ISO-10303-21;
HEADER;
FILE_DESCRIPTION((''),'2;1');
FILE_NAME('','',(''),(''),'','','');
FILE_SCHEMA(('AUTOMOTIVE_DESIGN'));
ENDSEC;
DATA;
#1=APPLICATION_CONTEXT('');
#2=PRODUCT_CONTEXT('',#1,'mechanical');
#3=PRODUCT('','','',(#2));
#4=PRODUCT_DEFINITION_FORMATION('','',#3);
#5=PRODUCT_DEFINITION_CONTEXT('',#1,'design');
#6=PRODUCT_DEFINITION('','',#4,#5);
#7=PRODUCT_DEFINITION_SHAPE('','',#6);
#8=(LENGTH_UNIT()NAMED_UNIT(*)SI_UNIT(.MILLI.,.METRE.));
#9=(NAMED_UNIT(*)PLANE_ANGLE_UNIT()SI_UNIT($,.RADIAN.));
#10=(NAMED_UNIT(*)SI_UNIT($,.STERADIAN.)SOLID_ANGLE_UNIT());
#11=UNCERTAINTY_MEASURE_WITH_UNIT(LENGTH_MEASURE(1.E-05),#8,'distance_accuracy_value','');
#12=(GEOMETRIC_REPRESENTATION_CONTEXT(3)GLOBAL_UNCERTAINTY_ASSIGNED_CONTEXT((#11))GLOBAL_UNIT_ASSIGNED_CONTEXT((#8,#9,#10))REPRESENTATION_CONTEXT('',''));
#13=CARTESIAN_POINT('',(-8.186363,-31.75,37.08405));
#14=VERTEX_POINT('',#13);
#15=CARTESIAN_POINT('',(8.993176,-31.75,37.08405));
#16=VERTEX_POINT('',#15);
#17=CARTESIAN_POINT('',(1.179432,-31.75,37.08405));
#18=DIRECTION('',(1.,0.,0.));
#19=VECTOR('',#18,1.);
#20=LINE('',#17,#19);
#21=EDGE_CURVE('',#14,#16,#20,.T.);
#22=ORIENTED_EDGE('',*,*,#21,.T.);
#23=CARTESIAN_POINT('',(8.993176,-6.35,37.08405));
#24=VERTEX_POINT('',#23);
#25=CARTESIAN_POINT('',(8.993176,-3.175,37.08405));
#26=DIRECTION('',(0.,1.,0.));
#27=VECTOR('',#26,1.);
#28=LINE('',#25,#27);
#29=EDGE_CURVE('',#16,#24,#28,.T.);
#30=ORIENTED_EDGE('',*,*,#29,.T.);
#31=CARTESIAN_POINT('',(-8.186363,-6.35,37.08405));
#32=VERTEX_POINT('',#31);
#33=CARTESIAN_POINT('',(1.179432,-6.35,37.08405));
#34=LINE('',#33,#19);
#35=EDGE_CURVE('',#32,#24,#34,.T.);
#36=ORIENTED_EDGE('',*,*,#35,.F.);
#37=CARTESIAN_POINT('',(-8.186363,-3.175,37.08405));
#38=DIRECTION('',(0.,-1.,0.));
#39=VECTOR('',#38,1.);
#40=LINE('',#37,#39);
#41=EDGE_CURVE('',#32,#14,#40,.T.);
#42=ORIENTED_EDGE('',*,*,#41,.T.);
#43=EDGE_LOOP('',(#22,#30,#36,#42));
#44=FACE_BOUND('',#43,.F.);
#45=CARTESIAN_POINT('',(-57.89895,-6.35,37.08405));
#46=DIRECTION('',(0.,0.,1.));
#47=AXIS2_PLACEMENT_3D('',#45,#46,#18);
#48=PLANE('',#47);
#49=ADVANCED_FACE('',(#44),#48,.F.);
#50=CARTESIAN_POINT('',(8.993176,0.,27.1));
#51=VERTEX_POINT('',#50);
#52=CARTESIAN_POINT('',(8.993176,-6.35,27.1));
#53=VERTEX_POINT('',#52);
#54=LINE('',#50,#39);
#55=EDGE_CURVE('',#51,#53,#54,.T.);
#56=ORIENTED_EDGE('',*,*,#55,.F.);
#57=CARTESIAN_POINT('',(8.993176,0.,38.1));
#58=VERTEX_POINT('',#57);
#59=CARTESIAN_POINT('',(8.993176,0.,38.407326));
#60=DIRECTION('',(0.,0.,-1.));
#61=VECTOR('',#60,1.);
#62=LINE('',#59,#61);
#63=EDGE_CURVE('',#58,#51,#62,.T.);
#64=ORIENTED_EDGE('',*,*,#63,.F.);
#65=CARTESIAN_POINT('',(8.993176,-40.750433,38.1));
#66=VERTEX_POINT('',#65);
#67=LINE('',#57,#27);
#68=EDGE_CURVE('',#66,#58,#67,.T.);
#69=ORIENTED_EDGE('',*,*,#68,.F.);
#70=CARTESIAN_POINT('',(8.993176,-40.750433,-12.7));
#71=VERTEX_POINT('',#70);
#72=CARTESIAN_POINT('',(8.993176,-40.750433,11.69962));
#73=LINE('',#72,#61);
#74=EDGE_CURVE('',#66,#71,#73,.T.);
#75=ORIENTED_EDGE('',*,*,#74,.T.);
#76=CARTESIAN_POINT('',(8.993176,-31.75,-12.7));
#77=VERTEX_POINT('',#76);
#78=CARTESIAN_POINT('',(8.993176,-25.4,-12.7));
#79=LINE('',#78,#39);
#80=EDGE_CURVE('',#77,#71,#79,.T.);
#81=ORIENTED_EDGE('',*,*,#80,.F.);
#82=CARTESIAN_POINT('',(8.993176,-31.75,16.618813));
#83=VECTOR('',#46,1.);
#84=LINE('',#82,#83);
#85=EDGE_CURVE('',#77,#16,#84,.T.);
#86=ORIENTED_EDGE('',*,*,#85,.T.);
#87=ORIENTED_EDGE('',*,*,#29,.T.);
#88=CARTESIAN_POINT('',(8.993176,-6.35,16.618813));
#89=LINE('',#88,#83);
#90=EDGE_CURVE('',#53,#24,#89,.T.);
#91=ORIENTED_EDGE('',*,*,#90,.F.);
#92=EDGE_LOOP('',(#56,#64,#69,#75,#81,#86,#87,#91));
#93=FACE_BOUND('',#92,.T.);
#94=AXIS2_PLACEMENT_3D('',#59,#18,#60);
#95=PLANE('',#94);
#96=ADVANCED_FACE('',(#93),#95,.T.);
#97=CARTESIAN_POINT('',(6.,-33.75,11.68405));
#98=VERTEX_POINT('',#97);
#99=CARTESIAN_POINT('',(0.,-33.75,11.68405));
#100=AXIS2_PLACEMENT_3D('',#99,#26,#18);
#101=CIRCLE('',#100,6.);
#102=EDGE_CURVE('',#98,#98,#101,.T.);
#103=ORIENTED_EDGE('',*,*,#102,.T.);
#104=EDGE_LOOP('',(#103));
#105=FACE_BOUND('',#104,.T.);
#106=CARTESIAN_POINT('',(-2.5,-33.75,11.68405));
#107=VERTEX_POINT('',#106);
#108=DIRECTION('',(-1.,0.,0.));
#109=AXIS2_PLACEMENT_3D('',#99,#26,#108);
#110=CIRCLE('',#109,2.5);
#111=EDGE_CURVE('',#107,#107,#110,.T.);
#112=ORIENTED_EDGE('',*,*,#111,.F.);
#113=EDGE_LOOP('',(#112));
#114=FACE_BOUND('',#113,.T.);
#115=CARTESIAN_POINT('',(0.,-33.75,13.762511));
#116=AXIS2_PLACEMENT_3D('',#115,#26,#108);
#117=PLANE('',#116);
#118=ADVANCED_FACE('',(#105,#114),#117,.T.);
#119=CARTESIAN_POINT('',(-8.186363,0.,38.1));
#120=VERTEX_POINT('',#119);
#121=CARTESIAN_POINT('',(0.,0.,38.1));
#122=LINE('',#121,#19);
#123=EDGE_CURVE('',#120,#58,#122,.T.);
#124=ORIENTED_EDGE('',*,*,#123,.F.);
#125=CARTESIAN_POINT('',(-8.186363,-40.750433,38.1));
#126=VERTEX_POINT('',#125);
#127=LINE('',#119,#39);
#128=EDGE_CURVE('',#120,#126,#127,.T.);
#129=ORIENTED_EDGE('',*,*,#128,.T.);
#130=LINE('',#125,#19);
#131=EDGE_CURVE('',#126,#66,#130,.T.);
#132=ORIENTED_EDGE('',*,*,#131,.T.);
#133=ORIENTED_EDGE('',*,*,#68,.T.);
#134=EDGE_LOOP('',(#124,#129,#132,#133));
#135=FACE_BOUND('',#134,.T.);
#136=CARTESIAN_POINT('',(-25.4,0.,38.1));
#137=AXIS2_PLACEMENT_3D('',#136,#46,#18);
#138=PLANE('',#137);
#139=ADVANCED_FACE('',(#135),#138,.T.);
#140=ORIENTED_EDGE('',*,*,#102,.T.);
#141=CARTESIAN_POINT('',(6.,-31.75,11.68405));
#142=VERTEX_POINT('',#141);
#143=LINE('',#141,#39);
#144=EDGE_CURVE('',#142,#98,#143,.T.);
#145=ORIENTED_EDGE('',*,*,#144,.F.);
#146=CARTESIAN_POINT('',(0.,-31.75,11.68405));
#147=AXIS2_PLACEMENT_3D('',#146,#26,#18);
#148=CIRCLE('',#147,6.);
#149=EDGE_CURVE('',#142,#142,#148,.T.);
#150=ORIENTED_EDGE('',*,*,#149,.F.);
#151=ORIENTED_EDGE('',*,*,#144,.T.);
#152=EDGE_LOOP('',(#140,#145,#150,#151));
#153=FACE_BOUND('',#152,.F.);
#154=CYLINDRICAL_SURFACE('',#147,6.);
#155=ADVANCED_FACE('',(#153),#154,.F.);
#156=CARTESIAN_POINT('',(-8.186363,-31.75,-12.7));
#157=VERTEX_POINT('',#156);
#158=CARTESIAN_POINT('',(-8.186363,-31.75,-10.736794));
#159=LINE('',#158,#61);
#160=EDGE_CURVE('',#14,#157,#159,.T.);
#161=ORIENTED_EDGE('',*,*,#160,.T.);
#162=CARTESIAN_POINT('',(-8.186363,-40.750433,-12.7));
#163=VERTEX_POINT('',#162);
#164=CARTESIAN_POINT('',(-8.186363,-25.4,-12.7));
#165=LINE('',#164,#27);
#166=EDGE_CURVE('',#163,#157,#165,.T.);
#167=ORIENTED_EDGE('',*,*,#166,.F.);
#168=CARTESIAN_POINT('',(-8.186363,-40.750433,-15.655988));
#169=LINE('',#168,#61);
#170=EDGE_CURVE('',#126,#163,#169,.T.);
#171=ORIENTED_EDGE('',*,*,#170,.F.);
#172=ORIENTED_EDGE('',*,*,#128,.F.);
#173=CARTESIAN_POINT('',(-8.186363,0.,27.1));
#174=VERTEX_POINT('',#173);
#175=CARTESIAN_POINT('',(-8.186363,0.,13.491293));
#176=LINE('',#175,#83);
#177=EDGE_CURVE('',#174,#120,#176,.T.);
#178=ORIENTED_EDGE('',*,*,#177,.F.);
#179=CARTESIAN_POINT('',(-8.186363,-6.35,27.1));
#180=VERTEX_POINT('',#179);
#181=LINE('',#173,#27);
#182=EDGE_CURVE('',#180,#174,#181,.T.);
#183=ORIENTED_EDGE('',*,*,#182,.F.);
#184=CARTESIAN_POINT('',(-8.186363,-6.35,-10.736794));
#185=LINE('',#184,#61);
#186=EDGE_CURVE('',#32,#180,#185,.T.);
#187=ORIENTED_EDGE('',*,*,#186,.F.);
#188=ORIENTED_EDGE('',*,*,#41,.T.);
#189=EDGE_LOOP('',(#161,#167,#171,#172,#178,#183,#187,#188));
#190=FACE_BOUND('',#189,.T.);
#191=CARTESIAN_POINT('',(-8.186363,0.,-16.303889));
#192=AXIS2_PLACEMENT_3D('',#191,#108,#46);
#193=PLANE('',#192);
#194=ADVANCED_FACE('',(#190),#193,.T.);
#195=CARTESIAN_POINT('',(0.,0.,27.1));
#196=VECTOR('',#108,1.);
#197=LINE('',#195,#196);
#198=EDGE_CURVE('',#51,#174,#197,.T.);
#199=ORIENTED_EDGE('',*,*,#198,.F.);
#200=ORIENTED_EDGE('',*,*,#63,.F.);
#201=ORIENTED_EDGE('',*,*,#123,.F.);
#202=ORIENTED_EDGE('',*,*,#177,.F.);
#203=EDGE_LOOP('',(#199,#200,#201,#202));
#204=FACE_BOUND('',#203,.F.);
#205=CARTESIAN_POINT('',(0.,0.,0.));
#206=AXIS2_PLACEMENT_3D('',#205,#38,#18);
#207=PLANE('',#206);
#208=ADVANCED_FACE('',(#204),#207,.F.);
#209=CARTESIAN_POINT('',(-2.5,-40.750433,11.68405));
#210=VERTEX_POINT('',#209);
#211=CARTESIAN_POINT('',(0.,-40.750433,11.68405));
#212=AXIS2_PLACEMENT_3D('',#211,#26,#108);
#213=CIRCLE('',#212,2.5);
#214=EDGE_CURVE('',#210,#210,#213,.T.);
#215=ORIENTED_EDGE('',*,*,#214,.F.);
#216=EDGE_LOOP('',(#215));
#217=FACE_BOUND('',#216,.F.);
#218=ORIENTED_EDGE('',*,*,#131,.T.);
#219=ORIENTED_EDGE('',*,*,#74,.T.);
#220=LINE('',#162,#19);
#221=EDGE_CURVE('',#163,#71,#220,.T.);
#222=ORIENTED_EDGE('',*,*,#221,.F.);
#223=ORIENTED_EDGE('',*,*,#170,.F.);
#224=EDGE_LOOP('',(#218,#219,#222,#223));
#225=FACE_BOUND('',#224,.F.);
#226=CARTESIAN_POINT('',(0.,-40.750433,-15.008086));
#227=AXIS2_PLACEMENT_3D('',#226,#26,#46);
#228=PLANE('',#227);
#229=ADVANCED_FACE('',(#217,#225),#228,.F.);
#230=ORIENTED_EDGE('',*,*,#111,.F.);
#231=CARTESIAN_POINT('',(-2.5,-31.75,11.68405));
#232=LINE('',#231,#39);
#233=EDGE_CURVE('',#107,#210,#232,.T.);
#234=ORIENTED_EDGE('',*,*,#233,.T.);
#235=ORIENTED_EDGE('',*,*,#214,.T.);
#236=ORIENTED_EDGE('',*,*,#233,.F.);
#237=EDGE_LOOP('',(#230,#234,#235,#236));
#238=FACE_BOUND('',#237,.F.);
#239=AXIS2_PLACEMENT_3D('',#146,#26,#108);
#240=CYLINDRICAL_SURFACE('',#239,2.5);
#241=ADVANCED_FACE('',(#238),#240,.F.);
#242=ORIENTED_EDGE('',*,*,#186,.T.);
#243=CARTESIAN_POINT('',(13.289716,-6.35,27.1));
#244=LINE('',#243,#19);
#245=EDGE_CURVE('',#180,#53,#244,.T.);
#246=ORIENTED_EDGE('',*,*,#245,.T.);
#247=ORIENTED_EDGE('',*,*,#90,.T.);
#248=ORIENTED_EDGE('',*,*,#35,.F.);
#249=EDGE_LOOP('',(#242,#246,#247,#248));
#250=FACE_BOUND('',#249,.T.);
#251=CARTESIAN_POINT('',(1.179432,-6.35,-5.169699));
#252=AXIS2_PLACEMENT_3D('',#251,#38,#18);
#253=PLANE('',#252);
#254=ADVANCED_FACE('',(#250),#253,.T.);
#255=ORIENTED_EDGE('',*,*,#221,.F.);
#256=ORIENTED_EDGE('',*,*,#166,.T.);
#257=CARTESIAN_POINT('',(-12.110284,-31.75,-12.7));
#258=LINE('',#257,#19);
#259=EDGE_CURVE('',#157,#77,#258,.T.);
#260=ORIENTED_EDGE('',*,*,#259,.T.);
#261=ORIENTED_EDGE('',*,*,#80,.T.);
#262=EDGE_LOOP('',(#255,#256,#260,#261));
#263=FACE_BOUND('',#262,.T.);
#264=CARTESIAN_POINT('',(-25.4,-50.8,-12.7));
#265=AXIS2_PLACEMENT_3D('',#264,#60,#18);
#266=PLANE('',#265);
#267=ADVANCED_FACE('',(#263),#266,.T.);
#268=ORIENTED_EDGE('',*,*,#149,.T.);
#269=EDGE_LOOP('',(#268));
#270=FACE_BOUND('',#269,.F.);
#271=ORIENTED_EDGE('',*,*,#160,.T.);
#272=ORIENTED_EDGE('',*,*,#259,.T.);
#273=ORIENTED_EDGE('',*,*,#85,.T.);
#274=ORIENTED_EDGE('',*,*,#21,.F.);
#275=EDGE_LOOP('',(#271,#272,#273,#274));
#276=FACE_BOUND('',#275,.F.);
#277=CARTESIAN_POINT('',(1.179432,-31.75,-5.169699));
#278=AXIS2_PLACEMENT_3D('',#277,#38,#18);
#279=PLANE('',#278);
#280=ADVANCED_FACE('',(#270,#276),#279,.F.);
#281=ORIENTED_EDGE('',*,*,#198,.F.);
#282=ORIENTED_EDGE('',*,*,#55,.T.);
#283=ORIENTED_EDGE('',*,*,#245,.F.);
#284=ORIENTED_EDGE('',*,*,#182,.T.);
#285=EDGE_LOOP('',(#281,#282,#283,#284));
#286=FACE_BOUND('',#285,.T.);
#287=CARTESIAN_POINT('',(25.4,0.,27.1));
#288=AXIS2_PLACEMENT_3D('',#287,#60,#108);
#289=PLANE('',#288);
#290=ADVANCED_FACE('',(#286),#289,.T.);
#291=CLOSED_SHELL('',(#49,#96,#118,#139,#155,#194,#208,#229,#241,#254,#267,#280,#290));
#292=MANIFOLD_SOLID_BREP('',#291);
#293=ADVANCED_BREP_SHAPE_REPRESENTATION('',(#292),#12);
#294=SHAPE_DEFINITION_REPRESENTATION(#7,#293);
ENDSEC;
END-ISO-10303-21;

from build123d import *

# Parameters (mm, degrees)
F0_W      = 50.8
F0_H      = 76.2
F1_DEPTH  = 50.8
F2_W      = 118.1567646563
F2_H      = 84.5074988902
F3_DEPTH  = 25.4
F7_W      = 50.8
F7_H      = 65.2
F8_DEPTH  = 25.4
F10_DEPTH = 2
F11_R     = 2.5
F12_DEPTH = 25.4
F13_W     = 50.8
F13_H     = 25.4
F14_DEPTH = 25.4
F16_DEPTH = 76.2
F17_W     = 20.6161607057
F17_H     = 59.5903657377
F18_DEPTH = 50.8
F19_W     = 15.1074826717
F19_H     = 54.0688689798
F20_DEPTH = 12.7
F21_DEPTH = 12.7


with BuildPart() as f1:
    # F0 (on Front) → F1 (new body)
    with BuildSketch(Plane.XZ):
        Rectangle(F0_W, F0_H)
    extrude(amount=F1_DEPTH)


with BuildPart() as f3:
    # F2 (on Front) → F3 (new body)
    with BuildSketch(Plane.XZ):
        with Locations((1.1794324964, -5.1696989685)):
            Rectangle(F2_W, F2_H)
    extrude(amount=F3_DEPTH)


with BuildPart() as f3_1:
    # F4: moved
    add(f3.part.moved(Location((0, -6.35, 0))))


with BuildPart() as f1_1:
    add(f1.part)

    # F5: cut F3
    add(f3_1.part, mode=Mode.SUBTRACT)

    # F7 (on face) → F8 (cut)
    with BuildSketch(Plane(origin=(0, 0, 0), x_dir=(-1, 0, 0), z_dir=(0, 1, 0))):
        with Locations((0, -5.5)):
            Rectangle(F7_W, F7_H)
    extrude(amount=-F8_DEPTH, mode=Mode.SUBTRACT)

    # F9 (on face) → F10 (cut)
    with BuildSketch(Plane(origin=(0, -31.75, 0), x_dir=(-1, 0, 0), z_dir=(0, 1, 0))):
        with BuildLine():
            Line((-6, 11.6840504766), (6, 11.6840504766))
            ThreePointArc((6, 11.6840504766), (0, 17.6840504766), (-6, 11.6840504766))
        make_face()
        with BuildLine():
            ThreePointArc((-6, 11.6840504766), (0, 5.6840504766), (6, 11.6840504766))
            Line((6, 11.6840504766), (-6, 11.6840504766))
        make_face()
    extrude(amount=-F10_DEPTH, mode=Mode.SUBTRACT)

    # F11 (on face) → F12 (cut)
    with BuildSketch(Plane(origin=(0, -31.75, 0), x_dir=(-1, 0, 0), z_dir=(0, 1, 0))):
        with Locations((0, 11.6840504766)):
            Circle(F11_R)
    extrude(amount=-F12_DEPTH, mode=Mode.SUBTRACT)

    # F13 (on face) → F14 (cut)
    with BuildSketch(Plane.XZ.offset(50.8)):
        with Locations((0, -25.4)):
            Rectangle(F13_W, F13_H)
    extrude(amount=-F14_DEPTH, mode=Mode.SUBTRACT)

    # F15 (on Front) → F16 (cut)
    with BuildSketch(Plane.XZ):
        Polygon((28.8663152605, 38.4073257446), (8.9931758121, 38.4073257446), (8.9931758121, -14.9972904474), (32.6694212854, -14.9972904474), (32.6694212854, 38.4073257446), align=None)
    extrude(amount=F16_DEPTH, mode=Mode.SUBTRACT)

    # F17 (on Front) → F18 (cut)
    with BuildSketch(Plane.XZ):
        with Locations((-18.4944430366, 13.4912934154)):
            Rectangle(F17_W, F17_H)
    extrude(amount=F18_DEPTH, mode=Mode.SUBTRACT)

    # F19 (on Right) → F20 (cut)
    with BuildSketch(Plane.YZ):
        with Locations((-48.3041740954, 12.0263481513)):
            Rectangle(F19_W, F19_H)
    extrude(amount=-F20_DEPTH, mode=Mode.SUBTRACT)

    # F19 (on Right) → F21 (cut)
    with BuildSketch(Plane.YZ):
        with Locations((-48.3041740954, 12.0263481513)):
            Rectangle(F19_W, F19_H)
    extrude(amount=F21_DEPTH, mode=Mode.SUBTRACT)


solid = f1_1.part
